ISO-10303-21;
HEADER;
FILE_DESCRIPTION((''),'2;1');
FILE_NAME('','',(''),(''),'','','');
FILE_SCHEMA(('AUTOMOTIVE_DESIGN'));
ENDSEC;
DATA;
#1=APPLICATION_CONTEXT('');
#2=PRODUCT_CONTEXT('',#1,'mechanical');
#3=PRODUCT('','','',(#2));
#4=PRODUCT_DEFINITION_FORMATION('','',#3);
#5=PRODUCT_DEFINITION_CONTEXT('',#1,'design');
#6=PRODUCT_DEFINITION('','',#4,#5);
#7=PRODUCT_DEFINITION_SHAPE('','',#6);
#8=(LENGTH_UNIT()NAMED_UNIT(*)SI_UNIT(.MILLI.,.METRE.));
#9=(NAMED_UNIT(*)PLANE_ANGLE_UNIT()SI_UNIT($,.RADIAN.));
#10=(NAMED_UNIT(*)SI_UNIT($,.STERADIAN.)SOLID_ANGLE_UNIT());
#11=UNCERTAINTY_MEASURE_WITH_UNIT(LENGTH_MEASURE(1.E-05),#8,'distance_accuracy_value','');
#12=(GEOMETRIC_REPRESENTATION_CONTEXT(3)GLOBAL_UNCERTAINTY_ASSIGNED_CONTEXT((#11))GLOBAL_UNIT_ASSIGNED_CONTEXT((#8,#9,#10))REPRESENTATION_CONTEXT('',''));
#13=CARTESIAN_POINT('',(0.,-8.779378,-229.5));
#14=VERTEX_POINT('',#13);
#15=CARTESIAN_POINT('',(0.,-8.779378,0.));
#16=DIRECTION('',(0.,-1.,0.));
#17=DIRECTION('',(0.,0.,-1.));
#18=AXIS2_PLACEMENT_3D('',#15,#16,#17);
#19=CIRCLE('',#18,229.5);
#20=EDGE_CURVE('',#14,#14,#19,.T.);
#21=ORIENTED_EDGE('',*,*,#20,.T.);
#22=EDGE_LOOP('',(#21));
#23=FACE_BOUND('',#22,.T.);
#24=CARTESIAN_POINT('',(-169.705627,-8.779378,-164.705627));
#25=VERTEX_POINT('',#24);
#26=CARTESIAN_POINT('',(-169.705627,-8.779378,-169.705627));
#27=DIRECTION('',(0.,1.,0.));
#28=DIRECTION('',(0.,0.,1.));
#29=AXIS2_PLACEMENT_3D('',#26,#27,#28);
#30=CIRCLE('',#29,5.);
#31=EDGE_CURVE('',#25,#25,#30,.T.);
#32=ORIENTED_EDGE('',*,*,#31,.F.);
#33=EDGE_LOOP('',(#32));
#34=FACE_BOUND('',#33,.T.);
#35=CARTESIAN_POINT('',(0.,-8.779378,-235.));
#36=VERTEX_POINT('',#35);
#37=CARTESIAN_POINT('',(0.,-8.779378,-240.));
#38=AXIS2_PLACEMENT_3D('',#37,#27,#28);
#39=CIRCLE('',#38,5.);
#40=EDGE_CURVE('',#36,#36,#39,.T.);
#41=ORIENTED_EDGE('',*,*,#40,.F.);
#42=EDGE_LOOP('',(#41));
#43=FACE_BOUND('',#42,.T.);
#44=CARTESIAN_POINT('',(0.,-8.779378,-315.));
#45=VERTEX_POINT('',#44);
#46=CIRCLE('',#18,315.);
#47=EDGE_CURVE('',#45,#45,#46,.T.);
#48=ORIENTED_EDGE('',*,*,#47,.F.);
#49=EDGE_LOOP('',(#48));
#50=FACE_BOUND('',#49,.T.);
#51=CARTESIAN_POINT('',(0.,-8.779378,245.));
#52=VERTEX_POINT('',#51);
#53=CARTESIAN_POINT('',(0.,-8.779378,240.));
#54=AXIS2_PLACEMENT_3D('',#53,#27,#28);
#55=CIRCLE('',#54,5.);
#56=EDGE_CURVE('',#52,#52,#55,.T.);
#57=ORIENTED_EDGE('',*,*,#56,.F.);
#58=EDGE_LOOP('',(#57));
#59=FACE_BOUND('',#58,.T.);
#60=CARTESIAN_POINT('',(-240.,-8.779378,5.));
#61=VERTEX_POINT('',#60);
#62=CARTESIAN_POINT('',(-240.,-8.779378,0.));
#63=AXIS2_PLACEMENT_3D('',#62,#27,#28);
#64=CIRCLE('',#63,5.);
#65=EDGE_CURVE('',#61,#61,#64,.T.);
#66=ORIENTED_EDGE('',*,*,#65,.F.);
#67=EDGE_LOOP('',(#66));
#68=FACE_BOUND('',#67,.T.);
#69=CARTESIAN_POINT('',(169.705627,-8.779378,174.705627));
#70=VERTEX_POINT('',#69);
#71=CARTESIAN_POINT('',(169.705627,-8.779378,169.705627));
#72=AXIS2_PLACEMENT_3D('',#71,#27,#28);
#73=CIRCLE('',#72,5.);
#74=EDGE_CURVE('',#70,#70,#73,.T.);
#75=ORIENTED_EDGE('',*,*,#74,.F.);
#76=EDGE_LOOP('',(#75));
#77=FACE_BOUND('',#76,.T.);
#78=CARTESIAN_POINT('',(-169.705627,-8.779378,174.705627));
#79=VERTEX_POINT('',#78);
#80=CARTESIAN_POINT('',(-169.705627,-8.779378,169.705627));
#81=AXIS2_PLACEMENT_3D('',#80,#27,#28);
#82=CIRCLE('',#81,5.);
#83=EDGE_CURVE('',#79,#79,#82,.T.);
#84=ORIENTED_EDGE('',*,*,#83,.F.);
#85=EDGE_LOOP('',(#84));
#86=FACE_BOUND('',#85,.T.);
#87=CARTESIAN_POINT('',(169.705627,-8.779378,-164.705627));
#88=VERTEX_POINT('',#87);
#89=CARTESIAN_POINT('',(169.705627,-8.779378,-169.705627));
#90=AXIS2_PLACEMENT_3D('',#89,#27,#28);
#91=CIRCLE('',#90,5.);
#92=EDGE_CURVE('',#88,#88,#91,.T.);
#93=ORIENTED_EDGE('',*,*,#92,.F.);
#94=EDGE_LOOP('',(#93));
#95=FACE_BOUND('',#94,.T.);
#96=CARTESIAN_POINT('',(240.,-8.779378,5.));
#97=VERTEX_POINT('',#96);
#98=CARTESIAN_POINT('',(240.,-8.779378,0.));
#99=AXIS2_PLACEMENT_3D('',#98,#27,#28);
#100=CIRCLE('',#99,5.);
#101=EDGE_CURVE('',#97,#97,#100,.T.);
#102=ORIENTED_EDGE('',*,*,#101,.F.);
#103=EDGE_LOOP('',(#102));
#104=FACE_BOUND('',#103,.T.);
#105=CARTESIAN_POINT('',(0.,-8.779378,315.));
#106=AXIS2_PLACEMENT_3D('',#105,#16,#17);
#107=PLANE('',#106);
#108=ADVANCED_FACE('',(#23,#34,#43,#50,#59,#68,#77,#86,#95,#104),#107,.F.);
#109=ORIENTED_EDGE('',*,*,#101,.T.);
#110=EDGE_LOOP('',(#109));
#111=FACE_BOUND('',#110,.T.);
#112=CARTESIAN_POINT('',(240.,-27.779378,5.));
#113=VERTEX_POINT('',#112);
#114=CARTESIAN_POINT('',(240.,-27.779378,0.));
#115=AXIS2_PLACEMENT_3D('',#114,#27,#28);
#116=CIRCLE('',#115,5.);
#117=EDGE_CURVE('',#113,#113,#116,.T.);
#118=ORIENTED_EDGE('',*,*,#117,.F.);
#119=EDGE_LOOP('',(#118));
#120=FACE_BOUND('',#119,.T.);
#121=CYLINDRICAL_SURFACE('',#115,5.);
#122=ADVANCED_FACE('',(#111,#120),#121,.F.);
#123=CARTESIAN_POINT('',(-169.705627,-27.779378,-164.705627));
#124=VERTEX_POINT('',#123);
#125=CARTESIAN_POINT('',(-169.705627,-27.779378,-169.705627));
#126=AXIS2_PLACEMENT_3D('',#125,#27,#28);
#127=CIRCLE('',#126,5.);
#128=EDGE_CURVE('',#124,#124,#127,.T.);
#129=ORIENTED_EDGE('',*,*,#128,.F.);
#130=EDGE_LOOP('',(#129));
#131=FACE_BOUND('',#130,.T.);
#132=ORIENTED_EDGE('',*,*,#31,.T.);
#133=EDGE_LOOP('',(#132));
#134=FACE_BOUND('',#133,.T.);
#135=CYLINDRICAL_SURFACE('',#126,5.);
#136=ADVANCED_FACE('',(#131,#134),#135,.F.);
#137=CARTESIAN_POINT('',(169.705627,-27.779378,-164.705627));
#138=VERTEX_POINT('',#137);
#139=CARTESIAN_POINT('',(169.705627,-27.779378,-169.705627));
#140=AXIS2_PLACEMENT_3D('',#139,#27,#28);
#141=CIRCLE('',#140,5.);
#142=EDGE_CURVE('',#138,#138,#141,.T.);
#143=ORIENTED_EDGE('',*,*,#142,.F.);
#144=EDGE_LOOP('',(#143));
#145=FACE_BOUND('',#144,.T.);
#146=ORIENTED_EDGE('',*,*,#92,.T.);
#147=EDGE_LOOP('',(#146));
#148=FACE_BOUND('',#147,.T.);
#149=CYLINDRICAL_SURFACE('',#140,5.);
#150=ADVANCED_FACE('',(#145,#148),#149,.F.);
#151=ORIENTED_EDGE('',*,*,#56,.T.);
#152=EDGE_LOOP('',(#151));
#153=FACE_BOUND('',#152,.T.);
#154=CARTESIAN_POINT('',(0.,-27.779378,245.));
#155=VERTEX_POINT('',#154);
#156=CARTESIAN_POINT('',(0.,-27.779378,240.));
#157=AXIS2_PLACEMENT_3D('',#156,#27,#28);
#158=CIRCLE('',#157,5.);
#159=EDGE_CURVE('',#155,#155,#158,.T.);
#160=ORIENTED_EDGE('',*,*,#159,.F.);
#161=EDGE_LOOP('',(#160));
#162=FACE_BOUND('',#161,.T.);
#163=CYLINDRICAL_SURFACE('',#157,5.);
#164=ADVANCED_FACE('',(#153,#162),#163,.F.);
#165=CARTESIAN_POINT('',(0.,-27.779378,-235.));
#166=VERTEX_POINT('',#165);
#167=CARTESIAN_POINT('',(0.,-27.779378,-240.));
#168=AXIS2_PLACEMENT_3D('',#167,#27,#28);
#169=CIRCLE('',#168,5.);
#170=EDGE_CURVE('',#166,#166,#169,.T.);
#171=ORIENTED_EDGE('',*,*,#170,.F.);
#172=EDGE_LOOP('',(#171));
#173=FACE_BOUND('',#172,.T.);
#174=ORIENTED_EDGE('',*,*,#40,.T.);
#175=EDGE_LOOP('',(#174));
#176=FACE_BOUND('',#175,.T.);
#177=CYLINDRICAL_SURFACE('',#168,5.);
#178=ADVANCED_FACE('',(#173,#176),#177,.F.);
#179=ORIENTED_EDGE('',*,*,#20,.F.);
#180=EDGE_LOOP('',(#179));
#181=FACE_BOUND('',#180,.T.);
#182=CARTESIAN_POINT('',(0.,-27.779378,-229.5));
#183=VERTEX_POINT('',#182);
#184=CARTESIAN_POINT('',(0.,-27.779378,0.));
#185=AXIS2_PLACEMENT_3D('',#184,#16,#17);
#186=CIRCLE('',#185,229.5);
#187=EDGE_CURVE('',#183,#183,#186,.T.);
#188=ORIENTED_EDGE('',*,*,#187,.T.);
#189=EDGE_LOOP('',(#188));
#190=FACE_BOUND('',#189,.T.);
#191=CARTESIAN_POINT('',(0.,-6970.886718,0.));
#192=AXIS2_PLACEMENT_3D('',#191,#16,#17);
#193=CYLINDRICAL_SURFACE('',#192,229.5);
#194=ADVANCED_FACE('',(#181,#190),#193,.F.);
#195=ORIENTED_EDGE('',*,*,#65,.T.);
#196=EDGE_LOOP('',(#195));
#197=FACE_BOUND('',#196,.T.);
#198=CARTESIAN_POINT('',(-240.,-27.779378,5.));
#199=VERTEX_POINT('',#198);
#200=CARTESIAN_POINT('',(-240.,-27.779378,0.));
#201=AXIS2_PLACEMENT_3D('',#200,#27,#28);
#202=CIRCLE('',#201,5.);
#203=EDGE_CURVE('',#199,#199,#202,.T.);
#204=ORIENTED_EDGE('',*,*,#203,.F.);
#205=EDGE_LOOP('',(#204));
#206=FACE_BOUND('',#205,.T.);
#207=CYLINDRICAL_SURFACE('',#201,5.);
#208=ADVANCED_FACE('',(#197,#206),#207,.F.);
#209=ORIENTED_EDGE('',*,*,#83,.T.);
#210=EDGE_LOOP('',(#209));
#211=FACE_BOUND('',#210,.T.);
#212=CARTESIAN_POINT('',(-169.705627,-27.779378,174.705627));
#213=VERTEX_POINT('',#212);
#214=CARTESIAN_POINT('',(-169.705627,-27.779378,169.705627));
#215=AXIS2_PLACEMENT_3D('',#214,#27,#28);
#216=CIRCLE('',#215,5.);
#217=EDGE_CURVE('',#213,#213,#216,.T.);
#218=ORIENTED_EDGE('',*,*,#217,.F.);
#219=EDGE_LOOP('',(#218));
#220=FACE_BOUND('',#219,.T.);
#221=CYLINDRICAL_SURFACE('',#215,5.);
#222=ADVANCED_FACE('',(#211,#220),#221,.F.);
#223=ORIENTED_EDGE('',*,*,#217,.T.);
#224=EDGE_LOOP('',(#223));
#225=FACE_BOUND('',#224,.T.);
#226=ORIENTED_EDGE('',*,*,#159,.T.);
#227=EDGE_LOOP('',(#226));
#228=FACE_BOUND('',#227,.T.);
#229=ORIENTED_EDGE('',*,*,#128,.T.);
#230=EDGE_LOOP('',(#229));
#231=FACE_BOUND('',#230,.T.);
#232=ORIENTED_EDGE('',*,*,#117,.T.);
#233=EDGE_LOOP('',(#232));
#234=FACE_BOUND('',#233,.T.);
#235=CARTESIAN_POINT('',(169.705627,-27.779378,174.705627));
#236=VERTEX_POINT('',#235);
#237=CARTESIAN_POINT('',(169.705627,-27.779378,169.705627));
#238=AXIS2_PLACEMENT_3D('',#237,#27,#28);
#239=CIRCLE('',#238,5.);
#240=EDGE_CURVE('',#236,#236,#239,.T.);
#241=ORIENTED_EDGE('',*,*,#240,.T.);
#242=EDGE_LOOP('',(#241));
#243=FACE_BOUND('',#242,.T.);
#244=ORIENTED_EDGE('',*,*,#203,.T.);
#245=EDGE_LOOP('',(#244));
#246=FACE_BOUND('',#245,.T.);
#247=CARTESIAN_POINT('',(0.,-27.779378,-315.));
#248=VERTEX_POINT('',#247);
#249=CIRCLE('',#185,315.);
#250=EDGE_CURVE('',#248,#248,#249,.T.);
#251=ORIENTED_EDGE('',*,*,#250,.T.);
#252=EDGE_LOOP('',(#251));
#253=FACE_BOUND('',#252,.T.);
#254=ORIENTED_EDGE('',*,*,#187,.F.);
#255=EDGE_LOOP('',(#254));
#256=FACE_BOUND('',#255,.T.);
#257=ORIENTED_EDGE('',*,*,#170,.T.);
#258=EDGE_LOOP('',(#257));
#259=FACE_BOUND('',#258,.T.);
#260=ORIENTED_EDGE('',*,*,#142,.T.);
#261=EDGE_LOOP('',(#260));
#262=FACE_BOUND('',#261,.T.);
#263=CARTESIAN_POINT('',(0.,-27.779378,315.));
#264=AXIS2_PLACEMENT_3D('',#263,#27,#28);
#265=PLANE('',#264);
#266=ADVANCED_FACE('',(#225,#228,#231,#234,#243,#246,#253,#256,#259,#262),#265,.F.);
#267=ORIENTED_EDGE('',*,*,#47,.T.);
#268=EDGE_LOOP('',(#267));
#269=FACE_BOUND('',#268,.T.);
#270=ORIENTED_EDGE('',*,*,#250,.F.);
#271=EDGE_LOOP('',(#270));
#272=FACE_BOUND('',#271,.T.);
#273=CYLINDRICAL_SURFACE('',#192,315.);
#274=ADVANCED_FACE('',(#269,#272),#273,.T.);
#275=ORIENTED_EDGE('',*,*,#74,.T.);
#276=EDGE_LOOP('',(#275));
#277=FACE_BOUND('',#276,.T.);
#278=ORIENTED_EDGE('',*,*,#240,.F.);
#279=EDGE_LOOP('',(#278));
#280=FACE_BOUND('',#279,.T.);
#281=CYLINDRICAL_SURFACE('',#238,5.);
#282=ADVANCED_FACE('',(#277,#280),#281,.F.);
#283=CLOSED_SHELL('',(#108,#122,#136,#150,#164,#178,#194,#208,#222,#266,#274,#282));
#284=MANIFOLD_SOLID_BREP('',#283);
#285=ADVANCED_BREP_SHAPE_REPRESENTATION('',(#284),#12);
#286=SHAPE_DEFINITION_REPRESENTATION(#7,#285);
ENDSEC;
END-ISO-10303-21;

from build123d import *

# Parameters (mm, degrees)
SKETCH1_W          = 85.5
SKETCH1_H          = 19
SKETCH2_R          = 5
CUT_EXTRUDE1_DEPTH = 446.882271457


with BuildPart() as part:
    # Sketch1 → Revolve1 (revolve)
    with BuildSketch(Plane(origin=(0, 0, 0), x_dir=(0, 0, -1), z_dir=(1, 0, 0)), mode=Mode.PRIVATE) as revolve1_sk:
        with Locations((-272.25, -18.279378005)):
            Rectangle(SKETCH1_W, SKETCH1_H)
    revolve(revolve1_sk.sketch.rotate(Axis((0, -6970.88671751, 0), (0, 1, 0)), 180), axis=Axis((0, -6970.88671751, 0), (0, 1, 0)))

    # Sketch2 → Cut-Extrude1 (cut, through all)
    with BuildSketch(Plane(origin=(0, -8.779378005, 0), x_dir=(1, 0, 0), z_dir=(0, 1, 0))):
        with Locations(Location((0, 240, 0), (0, 0, 270))):
            Circle(SKETCH2_R)
        with Locations(Location((169.705627485, 169.705627485, 0), (0, 0, 270))):
            Circle(SKETCH2_R)
        with Locations(Location((240, 0, 0), (0, 0, 270))):
            Circle(SKETCH2_R)
        with Locations(Location((169.705627485, -169.705627485, 0), (0, 0, 270))):
            Circle(SKETCH2_R)
        with Locations(Location((0, -240, 0), (0, 0, 270))):
            Circle(SKETCH2_R)
        with Locations(Location((-169.705627485, -169.705627485, 0), (0, 0, 270))):
            Circle(SKETCH2_R)
        with Locations(Location((-240, 0, 0), (0, 0, 270))):
            Circle(SKETCH2_R)
        with Locations(Location((-169.705627485, 169.705627485, 0), (0, 0, 270))):
            Circle(SKETCH2_R)
    extrude(amount=-CUT_EXTRUDE1_DEPTH, mode=Mode.SUBTRACT)


solid = part.part
